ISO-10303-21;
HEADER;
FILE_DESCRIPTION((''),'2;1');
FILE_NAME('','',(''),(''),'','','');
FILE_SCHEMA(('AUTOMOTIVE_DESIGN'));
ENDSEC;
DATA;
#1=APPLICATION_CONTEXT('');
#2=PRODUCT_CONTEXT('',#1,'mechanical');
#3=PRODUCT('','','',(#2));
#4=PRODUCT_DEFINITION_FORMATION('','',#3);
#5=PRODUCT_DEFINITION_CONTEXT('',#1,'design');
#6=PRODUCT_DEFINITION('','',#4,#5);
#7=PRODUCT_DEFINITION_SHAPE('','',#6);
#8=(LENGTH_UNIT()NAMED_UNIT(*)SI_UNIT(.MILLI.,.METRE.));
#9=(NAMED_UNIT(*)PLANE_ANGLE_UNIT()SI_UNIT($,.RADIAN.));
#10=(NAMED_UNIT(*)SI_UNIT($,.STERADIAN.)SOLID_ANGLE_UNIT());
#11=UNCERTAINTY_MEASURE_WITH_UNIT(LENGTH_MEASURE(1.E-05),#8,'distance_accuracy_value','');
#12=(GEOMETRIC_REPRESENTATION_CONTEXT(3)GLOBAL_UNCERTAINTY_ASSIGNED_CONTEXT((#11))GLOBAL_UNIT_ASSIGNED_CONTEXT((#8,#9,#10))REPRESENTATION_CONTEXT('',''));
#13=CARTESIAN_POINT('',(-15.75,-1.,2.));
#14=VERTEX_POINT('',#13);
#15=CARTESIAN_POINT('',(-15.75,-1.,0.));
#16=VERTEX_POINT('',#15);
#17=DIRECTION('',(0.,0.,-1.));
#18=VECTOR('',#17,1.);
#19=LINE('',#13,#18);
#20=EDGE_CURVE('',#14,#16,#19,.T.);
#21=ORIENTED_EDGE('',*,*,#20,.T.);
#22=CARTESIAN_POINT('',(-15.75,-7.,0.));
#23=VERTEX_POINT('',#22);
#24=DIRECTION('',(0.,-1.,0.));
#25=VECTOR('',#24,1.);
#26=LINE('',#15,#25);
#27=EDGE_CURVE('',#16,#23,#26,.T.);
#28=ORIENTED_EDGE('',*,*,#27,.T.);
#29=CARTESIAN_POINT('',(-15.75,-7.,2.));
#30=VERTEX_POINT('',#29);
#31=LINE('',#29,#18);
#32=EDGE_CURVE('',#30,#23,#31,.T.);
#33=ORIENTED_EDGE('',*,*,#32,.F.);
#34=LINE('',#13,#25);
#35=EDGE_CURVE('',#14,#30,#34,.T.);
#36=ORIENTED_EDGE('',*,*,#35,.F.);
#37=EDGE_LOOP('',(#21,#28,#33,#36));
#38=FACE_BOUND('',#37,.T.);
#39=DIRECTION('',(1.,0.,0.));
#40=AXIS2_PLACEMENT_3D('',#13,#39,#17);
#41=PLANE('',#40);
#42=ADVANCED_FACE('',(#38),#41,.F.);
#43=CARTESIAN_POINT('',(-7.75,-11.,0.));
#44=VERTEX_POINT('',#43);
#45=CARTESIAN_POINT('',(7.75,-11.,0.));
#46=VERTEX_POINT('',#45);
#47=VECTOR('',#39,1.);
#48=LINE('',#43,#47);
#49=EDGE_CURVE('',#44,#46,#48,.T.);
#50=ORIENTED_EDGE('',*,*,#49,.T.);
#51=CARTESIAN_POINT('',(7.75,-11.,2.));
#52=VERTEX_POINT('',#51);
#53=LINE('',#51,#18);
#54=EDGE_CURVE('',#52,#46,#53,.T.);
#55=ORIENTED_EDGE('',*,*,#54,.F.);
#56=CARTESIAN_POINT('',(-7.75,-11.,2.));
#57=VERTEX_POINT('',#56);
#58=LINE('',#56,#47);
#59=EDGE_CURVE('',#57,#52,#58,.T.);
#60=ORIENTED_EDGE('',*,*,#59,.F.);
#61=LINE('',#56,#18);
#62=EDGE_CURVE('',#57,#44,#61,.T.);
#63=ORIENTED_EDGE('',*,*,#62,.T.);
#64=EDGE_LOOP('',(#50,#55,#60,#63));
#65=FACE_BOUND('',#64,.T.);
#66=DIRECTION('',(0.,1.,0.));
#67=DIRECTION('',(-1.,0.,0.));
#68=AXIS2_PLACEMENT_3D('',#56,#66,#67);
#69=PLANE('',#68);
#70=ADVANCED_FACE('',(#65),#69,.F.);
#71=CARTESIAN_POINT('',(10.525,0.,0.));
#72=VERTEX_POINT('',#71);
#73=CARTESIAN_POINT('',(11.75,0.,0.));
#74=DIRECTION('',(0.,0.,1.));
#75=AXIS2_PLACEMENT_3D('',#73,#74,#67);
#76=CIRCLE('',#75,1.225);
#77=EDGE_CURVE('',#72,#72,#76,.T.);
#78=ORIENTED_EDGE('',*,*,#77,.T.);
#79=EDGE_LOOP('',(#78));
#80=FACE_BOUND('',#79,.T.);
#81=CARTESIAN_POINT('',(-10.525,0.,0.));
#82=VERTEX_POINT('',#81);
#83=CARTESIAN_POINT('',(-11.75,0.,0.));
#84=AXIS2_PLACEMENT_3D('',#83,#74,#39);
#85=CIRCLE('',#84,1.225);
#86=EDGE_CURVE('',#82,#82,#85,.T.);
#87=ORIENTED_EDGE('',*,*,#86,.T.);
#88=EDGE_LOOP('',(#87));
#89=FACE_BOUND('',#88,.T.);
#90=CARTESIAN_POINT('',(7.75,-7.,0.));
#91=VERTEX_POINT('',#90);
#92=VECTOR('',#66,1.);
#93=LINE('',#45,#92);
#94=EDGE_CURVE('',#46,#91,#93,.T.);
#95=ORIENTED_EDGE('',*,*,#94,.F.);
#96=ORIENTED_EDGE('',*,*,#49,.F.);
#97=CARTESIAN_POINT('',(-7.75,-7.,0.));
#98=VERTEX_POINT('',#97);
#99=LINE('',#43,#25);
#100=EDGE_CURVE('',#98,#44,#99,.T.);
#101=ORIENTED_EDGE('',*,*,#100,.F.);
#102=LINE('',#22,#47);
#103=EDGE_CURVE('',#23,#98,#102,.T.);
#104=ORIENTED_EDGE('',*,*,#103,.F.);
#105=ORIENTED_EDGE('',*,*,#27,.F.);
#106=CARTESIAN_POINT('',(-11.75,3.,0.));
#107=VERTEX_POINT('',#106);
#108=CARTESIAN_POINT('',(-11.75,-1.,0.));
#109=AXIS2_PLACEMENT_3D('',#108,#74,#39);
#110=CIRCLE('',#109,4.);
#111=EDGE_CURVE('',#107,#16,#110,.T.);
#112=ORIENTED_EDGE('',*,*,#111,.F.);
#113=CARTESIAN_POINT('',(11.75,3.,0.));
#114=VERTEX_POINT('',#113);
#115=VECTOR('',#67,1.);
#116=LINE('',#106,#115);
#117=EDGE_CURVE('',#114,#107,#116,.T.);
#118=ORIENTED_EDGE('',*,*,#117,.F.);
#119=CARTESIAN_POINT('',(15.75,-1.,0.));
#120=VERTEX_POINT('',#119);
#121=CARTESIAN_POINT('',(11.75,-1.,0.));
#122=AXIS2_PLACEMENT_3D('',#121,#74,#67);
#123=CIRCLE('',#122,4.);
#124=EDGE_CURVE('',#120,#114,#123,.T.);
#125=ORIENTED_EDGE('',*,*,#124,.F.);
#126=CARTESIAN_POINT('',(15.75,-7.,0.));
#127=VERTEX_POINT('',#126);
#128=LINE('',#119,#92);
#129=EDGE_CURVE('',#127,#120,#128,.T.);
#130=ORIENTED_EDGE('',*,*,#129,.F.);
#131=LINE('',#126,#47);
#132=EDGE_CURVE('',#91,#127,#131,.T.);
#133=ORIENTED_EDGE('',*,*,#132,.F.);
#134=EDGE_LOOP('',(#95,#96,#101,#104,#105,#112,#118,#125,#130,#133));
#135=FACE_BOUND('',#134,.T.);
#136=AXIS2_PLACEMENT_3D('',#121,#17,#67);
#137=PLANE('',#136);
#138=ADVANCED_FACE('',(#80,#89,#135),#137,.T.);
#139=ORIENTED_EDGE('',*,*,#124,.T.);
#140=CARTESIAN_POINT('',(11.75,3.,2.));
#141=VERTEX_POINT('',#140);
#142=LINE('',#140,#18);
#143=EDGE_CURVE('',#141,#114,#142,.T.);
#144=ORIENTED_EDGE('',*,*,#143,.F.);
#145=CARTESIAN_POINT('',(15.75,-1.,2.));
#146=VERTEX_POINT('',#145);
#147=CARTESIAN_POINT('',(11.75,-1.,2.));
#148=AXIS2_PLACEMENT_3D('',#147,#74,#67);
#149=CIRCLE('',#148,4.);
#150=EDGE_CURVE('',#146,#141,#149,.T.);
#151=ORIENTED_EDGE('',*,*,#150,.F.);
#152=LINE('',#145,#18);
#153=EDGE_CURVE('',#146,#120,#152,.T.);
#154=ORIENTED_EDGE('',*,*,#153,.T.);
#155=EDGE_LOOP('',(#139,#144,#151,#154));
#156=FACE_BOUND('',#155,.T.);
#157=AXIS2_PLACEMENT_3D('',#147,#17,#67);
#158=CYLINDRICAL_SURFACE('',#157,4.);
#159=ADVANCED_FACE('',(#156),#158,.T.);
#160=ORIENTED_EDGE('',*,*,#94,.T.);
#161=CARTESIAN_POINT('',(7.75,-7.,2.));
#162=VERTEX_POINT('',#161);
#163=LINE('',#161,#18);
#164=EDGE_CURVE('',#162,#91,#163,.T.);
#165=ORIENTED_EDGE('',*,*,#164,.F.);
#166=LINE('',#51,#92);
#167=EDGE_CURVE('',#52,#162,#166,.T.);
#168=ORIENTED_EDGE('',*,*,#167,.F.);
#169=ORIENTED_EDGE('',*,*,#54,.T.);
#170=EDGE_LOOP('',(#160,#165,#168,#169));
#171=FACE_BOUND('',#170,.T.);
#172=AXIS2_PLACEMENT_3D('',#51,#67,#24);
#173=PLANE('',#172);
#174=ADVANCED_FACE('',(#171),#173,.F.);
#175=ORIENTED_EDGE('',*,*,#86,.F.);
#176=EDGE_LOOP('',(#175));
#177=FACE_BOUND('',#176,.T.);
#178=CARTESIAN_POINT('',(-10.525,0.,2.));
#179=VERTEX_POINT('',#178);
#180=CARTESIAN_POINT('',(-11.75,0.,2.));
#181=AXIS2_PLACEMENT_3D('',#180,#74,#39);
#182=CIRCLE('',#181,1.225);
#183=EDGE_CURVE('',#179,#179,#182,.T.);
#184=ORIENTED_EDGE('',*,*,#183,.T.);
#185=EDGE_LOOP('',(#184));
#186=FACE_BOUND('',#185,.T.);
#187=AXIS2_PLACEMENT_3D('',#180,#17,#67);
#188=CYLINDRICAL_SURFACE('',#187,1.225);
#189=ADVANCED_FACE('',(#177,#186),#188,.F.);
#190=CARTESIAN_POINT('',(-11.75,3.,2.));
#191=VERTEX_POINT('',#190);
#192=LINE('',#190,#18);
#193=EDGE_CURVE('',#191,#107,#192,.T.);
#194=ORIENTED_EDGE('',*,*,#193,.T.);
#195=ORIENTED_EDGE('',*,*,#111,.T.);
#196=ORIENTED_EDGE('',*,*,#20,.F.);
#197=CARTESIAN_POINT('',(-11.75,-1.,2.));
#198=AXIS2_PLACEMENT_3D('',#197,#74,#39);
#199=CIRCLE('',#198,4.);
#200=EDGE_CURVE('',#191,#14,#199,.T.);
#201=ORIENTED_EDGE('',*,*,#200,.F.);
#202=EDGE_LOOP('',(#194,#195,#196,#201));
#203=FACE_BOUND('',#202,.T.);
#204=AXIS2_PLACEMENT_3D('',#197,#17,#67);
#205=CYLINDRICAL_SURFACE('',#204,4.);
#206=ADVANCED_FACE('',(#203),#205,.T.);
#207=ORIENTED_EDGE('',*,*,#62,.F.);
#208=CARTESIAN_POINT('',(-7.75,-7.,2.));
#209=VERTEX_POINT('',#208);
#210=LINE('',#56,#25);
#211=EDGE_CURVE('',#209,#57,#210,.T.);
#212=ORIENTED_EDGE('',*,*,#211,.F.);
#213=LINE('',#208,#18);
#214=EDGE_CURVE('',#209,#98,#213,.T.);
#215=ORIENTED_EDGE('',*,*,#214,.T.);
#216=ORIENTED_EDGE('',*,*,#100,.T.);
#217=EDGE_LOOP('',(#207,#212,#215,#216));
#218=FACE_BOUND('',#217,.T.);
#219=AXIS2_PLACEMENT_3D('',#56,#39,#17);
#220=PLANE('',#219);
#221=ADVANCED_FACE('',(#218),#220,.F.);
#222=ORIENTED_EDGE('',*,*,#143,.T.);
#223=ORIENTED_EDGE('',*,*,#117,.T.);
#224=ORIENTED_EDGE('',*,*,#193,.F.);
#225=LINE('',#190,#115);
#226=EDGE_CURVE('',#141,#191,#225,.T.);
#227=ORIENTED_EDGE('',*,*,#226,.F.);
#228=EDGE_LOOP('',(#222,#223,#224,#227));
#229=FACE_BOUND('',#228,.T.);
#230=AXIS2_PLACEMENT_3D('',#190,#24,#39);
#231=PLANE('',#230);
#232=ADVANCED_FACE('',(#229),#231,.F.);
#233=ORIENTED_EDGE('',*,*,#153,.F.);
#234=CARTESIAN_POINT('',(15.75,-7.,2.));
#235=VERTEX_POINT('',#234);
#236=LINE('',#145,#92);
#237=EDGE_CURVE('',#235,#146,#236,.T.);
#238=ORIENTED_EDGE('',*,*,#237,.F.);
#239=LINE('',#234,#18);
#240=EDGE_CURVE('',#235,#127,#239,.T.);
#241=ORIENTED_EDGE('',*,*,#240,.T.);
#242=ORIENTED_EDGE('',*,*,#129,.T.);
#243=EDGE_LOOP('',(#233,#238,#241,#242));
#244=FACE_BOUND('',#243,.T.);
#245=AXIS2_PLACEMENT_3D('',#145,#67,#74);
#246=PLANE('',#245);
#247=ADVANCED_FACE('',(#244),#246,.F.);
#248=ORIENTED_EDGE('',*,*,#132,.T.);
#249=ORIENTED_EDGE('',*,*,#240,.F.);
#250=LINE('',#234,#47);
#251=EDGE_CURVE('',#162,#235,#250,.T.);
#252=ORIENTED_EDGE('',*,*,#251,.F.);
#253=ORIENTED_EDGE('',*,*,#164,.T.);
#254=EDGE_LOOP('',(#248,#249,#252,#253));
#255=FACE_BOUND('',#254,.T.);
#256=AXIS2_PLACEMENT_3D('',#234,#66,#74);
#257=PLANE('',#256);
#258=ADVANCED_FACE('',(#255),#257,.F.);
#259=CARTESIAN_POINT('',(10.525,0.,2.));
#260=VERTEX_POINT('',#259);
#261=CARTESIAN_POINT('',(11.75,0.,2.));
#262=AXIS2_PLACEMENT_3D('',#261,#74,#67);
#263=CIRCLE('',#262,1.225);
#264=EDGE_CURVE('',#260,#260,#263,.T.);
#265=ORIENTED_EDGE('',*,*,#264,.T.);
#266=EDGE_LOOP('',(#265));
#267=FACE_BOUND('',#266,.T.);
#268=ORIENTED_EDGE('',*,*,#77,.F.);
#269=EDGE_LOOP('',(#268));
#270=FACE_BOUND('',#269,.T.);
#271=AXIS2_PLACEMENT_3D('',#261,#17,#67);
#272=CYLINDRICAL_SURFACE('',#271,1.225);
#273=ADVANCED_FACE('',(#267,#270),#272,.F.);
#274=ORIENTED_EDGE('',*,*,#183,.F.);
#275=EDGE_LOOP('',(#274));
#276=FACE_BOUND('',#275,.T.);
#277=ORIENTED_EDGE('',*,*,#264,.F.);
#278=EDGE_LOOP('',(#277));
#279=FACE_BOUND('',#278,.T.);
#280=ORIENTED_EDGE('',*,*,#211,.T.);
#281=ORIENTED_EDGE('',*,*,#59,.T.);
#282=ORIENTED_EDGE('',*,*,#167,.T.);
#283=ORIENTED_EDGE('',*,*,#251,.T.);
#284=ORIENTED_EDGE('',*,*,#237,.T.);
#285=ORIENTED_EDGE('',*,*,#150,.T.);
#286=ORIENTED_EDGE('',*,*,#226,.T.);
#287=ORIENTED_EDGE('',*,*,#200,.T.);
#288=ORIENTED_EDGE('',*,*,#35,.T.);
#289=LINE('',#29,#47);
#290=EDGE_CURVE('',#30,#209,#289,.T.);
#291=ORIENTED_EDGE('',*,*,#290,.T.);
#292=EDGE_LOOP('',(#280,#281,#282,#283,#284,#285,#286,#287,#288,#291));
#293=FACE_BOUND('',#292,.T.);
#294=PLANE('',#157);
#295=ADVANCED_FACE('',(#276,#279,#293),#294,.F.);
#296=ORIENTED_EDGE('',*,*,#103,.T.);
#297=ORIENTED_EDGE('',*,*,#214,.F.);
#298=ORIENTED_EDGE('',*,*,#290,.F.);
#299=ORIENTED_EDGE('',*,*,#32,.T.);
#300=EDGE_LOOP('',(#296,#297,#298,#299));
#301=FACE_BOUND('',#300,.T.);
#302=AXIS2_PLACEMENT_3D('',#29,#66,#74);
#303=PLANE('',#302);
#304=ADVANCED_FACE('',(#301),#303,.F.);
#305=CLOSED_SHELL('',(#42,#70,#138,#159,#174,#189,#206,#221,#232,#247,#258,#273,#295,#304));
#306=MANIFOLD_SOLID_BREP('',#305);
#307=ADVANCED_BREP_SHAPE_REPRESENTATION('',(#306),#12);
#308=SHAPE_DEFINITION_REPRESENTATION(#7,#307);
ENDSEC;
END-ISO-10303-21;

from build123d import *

# Parameters (mm, degrees)
SKETCH1_R       = 1.225
MAIN_BODY_DEPTH = 2


with BuildPart() as part:
    # Sketch1 → Main Body (new body)
    with BuildSketch(Plane.XY):
        with BuildLine():
            Line((-15.75, -7), (-7.75, -7))
            Line((-7.75, -7), (-7.75, -11))
            Line((-7.75, -11), (7.75, -11))
            Line((7.75, -11), (7.75, -7))
            Line((7.75, -7), (15.75, -7))
            Line((15.75, -7), (15.75, -1))
            ThreePointArc((15.75, -1), (14.578427125, 1.828427125), (11.75, 3))
            Line((11.75, 3), (-11.75, 3))
            ThreePointArc((-11.75, 3), (-14.578427125, 1.828427125), (-15.75, -1))
            Line((-15.75, -1), (-15.75, -7))
        make_face()
        with Locations((-11.75, 0)):
            Circle(SKETCH1_R, mode=Mode.SUBTRACT)
        with Locations((11.75, 0)):
            Circle(SKETCH1_R, mode=Mode.SUBTRACT)
    extrude(amount=MAIN_BODY_DEPTH)


solid = part.part
